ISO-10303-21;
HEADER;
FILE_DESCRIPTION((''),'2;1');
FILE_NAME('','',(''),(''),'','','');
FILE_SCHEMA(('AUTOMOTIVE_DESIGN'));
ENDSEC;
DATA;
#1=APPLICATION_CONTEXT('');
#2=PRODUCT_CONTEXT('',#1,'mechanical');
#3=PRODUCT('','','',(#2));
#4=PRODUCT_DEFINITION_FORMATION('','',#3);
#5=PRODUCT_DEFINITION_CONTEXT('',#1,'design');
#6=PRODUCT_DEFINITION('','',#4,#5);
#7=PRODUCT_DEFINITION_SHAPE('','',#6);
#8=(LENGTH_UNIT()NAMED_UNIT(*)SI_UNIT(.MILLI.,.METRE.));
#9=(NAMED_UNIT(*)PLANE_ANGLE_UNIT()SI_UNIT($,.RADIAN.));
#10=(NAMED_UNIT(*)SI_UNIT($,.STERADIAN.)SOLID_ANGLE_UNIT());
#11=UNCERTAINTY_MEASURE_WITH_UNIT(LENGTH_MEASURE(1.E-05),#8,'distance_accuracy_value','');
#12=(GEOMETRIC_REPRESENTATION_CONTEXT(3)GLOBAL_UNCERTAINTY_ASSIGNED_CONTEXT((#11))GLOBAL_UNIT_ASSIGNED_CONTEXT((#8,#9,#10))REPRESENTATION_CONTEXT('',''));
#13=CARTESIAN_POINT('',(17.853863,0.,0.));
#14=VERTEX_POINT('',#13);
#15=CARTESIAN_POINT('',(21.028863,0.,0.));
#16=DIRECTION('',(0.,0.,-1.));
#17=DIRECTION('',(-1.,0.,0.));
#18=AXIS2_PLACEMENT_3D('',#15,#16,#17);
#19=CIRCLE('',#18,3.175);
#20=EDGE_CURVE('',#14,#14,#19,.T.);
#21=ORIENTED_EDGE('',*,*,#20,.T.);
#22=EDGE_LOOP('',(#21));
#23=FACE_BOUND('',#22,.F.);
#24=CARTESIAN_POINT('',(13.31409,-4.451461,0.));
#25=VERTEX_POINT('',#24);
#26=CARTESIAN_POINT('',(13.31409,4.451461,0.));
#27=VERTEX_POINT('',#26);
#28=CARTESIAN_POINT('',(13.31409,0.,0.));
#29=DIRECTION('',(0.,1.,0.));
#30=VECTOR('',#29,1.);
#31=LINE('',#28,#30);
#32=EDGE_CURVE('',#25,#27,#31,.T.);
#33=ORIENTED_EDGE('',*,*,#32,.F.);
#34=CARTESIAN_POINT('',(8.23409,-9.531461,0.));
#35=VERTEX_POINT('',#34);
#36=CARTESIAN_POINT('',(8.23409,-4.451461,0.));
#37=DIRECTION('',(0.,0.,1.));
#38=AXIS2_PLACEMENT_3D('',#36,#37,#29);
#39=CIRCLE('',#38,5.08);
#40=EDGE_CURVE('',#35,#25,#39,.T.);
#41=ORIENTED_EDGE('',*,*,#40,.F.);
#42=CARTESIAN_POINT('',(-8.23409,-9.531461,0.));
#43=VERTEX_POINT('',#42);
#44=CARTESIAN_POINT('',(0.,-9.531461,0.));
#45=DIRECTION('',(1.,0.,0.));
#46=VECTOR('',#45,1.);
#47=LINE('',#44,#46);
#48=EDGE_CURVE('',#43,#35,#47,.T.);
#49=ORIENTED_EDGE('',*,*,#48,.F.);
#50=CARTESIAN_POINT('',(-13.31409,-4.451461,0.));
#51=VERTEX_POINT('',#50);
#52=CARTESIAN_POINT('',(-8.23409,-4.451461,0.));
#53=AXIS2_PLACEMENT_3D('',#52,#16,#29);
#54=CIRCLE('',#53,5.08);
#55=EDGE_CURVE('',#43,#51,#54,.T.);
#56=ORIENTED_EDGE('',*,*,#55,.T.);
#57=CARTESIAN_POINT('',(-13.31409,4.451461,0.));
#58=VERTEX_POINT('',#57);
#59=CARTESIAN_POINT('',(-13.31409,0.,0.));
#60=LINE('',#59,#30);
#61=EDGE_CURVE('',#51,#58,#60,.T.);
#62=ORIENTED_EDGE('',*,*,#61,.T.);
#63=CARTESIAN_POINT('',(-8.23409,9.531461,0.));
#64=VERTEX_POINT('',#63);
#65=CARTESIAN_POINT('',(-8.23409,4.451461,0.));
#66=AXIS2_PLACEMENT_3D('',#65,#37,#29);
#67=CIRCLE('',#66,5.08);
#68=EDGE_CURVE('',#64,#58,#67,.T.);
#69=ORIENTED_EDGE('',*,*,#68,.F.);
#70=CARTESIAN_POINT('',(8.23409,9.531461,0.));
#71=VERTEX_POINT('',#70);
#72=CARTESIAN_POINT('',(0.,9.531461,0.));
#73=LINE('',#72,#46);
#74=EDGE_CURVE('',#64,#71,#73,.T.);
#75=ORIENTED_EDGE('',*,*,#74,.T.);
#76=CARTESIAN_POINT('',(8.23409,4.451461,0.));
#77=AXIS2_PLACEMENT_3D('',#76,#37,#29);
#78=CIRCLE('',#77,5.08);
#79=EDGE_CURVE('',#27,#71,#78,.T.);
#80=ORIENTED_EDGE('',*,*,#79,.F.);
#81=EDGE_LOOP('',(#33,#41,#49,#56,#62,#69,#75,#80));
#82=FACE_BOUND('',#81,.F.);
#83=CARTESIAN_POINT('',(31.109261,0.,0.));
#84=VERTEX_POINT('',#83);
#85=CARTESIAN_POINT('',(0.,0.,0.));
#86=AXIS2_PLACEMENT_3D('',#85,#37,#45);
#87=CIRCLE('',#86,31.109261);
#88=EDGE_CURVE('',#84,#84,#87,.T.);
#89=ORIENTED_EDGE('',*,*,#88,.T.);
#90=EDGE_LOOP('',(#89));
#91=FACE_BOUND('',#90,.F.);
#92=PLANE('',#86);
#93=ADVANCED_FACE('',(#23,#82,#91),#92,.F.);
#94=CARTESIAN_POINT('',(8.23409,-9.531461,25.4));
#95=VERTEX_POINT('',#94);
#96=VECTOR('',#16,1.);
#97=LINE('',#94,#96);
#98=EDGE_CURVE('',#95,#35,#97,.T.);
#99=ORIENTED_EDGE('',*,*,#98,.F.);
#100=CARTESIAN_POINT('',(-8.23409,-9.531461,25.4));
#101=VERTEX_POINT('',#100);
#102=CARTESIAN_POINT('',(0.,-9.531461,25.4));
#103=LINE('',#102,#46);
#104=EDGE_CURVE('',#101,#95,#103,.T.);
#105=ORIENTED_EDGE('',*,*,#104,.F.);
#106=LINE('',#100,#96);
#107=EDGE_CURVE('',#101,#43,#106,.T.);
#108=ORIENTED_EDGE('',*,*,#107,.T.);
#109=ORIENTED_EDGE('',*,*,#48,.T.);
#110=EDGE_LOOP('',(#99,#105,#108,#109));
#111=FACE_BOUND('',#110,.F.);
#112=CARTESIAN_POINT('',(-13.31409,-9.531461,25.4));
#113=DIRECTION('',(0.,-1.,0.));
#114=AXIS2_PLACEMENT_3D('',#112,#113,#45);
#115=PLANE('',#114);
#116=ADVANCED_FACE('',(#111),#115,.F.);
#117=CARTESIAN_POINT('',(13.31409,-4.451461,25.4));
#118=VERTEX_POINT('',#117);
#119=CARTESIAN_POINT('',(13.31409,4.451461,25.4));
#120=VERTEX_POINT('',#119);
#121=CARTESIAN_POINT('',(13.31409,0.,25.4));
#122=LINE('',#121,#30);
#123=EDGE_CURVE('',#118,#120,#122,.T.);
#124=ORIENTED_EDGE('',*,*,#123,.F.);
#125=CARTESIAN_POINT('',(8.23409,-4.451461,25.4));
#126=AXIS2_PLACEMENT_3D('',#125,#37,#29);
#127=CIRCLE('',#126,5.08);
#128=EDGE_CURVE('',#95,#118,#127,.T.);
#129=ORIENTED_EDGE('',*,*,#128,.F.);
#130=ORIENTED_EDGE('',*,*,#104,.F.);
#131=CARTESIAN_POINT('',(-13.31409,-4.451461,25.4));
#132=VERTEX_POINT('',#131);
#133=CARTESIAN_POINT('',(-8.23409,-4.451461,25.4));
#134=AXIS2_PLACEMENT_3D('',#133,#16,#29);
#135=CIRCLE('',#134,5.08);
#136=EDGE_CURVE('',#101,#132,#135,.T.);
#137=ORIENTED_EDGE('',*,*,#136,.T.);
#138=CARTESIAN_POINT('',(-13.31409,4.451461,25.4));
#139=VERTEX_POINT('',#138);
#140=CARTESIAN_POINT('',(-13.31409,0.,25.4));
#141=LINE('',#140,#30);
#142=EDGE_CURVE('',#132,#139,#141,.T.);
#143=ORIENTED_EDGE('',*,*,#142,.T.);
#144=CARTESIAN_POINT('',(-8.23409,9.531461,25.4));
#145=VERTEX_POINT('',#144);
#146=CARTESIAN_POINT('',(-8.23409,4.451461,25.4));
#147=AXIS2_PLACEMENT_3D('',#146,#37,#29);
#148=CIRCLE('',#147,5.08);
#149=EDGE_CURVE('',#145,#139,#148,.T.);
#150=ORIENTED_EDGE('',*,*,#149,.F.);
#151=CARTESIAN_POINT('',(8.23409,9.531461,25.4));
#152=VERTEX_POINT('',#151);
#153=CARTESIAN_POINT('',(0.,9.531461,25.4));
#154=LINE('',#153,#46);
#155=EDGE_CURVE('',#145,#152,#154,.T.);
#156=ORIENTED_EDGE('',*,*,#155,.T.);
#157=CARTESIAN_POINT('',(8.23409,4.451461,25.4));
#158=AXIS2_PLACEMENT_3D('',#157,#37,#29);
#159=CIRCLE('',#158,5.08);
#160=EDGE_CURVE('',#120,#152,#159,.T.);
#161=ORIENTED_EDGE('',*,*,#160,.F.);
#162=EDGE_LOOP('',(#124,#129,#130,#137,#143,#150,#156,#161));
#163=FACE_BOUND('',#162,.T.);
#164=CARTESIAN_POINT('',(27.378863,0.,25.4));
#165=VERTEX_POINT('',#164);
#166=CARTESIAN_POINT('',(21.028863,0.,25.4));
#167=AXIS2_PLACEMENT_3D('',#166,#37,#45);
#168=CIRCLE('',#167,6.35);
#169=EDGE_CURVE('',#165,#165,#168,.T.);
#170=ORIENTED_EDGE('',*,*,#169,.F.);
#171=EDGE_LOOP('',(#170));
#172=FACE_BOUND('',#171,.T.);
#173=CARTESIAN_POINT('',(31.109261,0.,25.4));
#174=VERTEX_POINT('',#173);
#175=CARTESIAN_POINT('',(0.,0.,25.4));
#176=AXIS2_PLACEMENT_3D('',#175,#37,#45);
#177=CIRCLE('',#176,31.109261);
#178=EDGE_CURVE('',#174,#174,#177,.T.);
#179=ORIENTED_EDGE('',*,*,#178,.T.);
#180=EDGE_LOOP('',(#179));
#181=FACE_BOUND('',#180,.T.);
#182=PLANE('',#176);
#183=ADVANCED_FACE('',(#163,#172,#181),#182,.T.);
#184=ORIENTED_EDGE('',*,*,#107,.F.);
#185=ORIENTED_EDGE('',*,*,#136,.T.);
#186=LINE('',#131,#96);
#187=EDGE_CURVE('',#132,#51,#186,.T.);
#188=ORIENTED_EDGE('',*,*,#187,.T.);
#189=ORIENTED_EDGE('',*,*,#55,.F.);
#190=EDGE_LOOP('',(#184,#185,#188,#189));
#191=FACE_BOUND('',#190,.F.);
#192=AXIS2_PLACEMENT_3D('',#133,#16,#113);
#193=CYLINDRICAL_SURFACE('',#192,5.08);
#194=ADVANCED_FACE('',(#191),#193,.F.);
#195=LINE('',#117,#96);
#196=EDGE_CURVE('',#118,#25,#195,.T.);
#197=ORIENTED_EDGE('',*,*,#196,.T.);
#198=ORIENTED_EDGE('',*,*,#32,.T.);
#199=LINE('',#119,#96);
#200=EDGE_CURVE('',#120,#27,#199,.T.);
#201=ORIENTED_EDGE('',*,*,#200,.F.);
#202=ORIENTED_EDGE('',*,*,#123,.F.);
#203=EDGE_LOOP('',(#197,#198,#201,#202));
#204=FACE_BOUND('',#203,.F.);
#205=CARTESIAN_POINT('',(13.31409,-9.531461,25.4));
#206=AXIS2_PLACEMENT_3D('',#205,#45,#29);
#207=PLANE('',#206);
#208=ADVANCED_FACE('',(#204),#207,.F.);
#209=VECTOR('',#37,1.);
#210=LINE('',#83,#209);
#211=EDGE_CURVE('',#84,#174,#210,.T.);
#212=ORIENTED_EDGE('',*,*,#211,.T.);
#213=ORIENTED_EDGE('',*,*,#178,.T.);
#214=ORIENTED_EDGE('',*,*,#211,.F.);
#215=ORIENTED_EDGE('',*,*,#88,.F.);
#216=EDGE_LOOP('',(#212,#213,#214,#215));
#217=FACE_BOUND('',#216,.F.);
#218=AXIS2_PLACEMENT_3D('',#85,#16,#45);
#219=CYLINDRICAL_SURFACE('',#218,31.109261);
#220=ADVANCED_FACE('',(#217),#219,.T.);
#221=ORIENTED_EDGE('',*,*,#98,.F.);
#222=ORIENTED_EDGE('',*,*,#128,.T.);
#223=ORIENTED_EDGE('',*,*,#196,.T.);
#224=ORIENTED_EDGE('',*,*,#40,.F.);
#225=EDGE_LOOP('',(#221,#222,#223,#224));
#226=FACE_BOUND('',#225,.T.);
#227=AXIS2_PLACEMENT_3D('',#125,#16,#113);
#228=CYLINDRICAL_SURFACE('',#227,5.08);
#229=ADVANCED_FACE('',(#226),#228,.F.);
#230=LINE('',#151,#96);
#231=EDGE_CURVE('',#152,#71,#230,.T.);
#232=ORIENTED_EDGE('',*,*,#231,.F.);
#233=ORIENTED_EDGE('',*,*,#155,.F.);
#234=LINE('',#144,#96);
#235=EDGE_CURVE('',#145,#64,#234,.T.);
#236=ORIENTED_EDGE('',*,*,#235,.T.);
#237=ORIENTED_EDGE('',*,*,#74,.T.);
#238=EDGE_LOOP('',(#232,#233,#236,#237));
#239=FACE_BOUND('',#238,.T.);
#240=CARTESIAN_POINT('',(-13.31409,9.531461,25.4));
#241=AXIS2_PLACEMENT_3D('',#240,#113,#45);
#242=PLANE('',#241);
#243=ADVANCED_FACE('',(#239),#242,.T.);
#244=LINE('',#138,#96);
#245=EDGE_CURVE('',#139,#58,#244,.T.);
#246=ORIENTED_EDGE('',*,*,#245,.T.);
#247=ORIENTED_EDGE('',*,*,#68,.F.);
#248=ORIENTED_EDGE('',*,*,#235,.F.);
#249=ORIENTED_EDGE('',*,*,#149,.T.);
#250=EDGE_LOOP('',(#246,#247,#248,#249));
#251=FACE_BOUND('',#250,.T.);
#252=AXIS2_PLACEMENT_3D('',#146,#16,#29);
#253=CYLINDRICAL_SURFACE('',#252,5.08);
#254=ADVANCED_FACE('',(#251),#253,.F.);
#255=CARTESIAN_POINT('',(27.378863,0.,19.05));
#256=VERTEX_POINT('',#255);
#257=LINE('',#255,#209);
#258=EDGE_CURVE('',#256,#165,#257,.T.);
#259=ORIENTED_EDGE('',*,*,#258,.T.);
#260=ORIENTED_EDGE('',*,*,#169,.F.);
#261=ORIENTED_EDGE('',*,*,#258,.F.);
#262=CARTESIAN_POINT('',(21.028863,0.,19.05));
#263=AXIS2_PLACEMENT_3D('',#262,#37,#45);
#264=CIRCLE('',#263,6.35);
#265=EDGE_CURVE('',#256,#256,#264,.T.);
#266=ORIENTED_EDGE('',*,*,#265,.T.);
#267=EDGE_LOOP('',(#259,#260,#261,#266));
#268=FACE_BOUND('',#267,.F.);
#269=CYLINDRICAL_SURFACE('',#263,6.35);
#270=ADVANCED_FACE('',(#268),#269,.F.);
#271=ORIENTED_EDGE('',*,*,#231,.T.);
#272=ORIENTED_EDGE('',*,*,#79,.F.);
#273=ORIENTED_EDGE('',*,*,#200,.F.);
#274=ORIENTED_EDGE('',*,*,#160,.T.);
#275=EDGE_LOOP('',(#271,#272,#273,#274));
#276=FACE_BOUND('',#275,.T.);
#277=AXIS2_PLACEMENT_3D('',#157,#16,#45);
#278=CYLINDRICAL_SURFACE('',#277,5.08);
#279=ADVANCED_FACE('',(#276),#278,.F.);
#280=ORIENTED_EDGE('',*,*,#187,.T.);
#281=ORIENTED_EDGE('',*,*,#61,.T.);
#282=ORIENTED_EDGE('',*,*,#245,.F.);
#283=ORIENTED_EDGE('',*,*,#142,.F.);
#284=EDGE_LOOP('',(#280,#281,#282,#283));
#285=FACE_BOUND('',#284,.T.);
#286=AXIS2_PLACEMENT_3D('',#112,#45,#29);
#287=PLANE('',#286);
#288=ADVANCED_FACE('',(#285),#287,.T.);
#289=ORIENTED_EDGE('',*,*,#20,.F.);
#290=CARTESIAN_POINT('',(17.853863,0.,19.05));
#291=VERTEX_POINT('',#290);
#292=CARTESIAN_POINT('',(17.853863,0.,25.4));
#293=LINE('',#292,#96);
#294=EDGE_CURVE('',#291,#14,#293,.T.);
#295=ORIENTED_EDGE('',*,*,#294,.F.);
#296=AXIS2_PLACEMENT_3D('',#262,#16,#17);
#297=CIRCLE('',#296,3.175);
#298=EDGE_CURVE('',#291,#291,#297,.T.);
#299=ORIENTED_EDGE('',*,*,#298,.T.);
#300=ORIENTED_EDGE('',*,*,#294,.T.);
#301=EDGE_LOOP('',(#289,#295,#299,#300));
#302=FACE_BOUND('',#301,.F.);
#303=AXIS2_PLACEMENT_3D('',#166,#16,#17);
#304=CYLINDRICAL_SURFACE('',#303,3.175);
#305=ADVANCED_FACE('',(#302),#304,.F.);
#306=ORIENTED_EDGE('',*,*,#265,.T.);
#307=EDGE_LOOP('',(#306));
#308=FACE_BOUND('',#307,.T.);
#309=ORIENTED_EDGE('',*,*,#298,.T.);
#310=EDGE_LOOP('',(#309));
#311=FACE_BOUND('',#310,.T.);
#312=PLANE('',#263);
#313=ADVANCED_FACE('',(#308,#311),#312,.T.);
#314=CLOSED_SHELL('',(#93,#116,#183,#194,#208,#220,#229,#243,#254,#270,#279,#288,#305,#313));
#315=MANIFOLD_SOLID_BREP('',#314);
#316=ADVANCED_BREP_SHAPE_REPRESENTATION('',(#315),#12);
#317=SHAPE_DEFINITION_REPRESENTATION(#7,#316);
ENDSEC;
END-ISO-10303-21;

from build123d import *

# Parameters (mm, degrees)
F0_R           = 31.109261
F1_DEPTH       = 25.4
F2_W           = 26.62818
F2_H           = 19.062922
F3_DEPTH       = 25.4
F4_R           = 5.08
F6_D           = 6.35
F6_CBORE_D     = 12.7
F6_CBORE_DEPTH = 6.35


with BuildPart() as f1:
    # F0 (on Top) → F1 (new body)
    with BuildSketch(Plane.XY):
        Circle(F0_R)
    extrude(amount=F1_DEPTH)

    # F2 (on face) → F3 (cut)
    with BuildSketch(Plane.XY.offset(25.4)):
        Rectangle(F2_W, F2_H)
    extrude(amount=-F3_DEPTH, mode=Mode.SUBTRACT)

    # F4
    f4_edges = [f1.edges().sort_by_distance(p)[0] for p in [
        (-13.31409, 9.531461, 12.7),
        (-13.31409, -9.531461, 12.7),
        (13.31409, 9.531461, 12.7),
        (13.31409, -9.531461, 12.7),
    ]]
    fillet(f4_edges, radius=F4_R)

    # F6 (through all)
    with Locations(Plane.XY.offset(25.4)):
        with Locations((21.028863, 0)):
            CounterBoreHole(F6_D / 2, F6_CBORE_D / 2, F6_CBORE_DEPTH)


solid = f1.part
